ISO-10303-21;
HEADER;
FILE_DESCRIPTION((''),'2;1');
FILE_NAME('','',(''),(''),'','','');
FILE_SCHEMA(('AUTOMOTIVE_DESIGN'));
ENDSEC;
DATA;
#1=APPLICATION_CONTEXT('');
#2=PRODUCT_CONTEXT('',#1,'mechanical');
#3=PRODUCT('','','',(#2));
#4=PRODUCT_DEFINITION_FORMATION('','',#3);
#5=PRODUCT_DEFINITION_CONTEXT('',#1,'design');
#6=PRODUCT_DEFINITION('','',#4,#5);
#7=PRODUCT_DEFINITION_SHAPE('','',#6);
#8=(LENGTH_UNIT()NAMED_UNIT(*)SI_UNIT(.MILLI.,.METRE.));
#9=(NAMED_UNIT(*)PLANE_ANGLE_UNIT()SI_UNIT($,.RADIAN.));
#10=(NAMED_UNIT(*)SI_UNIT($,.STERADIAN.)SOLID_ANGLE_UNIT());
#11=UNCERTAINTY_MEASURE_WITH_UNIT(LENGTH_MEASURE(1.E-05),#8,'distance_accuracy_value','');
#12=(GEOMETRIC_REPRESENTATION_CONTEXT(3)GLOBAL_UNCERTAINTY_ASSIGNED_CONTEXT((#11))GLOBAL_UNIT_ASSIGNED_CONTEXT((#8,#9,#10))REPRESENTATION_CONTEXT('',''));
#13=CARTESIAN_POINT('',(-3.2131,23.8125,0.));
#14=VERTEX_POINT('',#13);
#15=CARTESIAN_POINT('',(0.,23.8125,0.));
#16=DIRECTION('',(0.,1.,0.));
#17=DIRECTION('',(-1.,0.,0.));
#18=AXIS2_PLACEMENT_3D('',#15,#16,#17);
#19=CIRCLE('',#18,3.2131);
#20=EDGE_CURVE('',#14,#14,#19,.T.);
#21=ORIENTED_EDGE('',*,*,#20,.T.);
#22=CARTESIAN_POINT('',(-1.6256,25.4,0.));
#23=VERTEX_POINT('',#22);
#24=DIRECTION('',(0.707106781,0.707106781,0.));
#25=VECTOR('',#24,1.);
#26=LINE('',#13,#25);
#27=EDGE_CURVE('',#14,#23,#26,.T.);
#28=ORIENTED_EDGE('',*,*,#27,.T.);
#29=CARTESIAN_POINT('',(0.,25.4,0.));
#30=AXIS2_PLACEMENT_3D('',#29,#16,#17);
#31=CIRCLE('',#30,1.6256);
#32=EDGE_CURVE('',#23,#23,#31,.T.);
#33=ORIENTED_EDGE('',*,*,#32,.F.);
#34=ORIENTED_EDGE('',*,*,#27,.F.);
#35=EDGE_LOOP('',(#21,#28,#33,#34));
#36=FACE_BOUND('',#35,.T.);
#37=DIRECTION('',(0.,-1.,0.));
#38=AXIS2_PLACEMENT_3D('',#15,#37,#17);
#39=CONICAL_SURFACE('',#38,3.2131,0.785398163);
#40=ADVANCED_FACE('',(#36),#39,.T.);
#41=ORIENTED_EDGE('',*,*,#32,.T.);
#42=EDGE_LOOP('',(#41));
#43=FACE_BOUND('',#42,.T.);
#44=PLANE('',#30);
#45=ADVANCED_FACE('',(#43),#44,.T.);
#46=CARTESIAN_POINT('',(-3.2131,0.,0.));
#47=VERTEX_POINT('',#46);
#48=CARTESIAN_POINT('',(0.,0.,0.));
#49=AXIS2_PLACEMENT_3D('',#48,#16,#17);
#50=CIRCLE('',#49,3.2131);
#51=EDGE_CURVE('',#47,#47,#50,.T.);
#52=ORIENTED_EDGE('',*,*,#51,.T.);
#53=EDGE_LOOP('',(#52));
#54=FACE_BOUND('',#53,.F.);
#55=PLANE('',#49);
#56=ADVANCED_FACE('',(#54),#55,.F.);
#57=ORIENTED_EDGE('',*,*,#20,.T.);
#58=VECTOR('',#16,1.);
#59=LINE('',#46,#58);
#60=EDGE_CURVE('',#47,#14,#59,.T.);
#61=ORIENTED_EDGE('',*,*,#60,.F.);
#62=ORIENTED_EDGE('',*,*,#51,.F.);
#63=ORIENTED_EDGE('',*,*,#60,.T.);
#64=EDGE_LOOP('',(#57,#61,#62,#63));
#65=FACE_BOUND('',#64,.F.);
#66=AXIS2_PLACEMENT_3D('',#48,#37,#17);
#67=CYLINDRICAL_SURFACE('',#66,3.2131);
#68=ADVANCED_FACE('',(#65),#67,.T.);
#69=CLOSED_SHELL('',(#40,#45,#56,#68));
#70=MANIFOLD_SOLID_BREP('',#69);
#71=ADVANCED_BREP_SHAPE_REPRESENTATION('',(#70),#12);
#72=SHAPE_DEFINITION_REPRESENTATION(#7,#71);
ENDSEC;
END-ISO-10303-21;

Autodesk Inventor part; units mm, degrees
ref_plane "YZ Plane" through (0, 0, 0) normal (1, 0, 0) x (0, 1, 0)
ref_plane "XZ Plane" through (0, 0, 0) normal (0, 1, 0) x (-1, 0, 0)
ref_plane "XY Plane" through (0, 0, 0) normal (0, 0, 1) x (1, 0, 0)
sketch "Sketch1" plane through (0, 0, 0) normal (0, 1, 0) x (-1, 0, 0)
  circle A0 centre (0, 0) radius 3.2131
  dimension "d0" = 6.4262
extrude "Extrusion1" add sketch "Sketch1" along normal blind 25.4
chamfer "Chamfer1" distance 1.5875 angle 45 1 edges at (3.2131, 25.4, 0)
properties part number "Ch7(5) Part 2 Table Pen"
